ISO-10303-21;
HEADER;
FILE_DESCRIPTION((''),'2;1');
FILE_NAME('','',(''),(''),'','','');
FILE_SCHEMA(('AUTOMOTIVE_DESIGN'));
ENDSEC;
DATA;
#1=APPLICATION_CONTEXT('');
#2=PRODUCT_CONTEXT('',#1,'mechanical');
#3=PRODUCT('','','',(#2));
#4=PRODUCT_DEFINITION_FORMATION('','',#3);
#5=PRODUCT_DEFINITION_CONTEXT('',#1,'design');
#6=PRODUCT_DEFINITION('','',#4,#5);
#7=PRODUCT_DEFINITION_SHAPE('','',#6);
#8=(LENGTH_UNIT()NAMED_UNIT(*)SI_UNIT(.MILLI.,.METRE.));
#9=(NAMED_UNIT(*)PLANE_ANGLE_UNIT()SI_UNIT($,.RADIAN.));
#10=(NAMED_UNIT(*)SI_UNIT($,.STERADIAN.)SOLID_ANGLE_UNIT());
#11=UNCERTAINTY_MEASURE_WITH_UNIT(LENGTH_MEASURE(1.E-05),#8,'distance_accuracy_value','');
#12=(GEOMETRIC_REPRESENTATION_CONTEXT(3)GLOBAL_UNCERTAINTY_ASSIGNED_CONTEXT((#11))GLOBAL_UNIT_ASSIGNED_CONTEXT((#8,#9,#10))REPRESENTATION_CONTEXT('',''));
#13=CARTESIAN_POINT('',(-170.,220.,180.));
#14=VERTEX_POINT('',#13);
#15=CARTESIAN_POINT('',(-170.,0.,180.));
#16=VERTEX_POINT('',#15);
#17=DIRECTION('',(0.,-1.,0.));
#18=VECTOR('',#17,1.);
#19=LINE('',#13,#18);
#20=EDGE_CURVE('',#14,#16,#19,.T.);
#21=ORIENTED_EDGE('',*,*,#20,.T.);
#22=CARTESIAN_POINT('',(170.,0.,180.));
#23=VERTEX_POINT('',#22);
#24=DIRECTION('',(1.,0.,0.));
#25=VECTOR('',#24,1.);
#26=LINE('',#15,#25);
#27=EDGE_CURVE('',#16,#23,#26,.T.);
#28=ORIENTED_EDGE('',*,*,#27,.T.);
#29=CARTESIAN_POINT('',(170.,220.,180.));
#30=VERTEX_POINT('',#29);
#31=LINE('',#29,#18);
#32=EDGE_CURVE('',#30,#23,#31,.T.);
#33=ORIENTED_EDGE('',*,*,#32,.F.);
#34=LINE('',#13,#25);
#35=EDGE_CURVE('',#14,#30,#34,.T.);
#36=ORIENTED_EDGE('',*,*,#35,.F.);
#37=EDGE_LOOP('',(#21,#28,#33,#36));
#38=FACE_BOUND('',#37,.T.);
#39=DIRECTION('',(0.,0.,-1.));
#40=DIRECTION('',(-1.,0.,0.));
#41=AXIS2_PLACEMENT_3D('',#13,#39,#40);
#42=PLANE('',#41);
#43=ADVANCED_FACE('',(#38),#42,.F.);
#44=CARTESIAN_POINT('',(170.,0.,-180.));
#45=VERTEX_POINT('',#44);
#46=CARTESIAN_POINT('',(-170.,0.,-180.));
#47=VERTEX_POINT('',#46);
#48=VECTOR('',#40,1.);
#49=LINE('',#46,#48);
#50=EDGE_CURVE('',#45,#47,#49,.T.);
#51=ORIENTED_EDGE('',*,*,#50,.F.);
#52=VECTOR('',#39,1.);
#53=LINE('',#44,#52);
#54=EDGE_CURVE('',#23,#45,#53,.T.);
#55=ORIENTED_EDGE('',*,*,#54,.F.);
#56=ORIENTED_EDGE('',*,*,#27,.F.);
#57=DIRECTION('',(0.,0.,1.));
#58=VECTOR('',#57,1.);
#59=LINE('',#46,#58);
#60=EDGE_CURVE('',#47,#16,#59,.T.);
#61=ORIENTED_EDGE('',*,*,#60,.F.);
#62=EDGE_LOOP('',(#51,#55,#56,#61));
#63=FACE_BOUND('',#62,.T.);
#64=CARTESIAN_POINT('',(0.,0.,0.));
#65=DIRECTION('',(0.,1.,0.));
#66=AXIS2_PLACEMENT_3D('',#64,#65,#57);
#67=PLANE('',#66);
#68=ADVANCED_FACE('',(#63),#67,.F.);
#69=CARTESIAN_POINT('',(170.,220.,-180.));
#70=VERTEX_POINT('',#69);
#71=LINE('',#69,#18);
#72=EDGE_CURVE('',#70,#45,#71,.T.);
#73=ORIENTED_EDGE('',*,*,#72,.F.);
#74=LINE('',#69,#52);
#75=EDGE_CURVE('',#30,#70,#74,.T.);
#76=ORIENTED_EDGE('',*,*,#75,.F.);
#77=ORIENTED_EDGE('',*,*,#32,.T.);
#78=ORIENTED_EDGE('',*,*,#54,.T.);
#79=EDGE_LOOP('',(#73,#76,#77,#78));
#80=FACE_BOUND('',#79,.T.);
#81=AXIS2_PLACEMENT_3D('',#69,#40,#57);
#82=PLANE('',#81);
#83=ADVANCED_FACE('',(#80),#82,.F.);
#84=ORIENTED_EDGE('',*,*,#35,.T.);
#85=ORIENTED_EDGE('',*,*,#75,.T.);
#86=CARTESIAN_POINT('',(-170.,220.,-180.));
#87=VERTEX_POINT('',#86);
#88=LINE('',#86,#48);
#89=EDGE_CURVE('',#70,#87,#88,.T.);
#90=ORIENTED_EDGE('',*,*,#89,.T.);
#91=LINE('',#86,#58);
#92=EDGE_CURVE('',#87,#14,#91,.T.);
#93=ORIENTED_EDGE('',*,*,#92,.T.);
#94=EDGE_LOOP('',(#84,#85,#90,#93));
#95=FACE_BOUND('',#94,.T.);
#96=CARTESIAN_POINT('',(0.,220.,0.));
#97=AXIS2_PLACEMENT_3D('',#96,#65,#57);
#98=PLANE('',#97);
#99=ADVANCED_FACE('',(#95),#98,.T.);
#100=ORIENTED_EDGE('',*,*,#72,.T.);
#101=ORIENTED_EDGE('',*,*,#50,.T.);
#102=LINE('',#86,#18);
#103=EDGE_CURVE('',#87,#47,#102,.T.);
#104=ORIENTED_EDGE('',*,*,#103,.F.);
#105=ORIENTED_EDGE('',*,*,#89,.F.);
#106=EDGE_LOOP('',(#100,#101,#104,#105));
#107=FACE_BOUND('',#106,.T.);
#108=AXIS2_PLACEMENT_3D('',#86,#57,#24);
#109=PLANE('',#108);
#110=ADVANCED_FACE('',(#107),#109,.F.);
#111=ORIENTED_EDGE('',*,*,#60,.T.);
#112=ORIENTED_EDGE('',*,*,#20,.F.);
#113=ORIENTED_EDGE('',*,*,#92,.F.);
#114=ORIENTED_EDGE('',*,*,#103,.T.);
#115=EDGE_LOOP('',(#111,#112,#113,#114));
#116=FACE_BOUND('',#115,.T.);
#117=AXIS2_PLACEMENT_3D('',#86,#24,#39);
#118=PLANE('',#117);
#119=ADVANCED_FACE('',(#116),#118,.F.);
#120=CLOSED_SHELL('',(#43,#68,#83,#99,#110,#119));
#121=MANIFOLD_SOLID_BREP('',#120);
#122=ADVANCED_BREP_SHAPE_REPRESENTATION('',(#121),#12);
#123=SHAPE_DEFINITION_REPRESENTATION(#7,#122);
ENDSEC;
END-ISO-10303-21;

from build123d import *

# Parameters (mm, degrees)
CROQUIS1_W              = 340
CROQUIS1_H              = 360
SALIENTE_EXTRUIR1_DEPTH = 220


with BuildPart() as part:
    # Croquis1 → Saliente-Extruir1 (new body)
    with BuildSketch(Plane(origin=(0, 0, 0), x_dir=(1, 0, 0), z_dir=(0, 1, 0))):
        Rectangle(CROQUIS1_W, CROQUIS1_H)
    extrude(amount=SALIENTE_EXTRUIR1_DEPTH)


solid = part.part
